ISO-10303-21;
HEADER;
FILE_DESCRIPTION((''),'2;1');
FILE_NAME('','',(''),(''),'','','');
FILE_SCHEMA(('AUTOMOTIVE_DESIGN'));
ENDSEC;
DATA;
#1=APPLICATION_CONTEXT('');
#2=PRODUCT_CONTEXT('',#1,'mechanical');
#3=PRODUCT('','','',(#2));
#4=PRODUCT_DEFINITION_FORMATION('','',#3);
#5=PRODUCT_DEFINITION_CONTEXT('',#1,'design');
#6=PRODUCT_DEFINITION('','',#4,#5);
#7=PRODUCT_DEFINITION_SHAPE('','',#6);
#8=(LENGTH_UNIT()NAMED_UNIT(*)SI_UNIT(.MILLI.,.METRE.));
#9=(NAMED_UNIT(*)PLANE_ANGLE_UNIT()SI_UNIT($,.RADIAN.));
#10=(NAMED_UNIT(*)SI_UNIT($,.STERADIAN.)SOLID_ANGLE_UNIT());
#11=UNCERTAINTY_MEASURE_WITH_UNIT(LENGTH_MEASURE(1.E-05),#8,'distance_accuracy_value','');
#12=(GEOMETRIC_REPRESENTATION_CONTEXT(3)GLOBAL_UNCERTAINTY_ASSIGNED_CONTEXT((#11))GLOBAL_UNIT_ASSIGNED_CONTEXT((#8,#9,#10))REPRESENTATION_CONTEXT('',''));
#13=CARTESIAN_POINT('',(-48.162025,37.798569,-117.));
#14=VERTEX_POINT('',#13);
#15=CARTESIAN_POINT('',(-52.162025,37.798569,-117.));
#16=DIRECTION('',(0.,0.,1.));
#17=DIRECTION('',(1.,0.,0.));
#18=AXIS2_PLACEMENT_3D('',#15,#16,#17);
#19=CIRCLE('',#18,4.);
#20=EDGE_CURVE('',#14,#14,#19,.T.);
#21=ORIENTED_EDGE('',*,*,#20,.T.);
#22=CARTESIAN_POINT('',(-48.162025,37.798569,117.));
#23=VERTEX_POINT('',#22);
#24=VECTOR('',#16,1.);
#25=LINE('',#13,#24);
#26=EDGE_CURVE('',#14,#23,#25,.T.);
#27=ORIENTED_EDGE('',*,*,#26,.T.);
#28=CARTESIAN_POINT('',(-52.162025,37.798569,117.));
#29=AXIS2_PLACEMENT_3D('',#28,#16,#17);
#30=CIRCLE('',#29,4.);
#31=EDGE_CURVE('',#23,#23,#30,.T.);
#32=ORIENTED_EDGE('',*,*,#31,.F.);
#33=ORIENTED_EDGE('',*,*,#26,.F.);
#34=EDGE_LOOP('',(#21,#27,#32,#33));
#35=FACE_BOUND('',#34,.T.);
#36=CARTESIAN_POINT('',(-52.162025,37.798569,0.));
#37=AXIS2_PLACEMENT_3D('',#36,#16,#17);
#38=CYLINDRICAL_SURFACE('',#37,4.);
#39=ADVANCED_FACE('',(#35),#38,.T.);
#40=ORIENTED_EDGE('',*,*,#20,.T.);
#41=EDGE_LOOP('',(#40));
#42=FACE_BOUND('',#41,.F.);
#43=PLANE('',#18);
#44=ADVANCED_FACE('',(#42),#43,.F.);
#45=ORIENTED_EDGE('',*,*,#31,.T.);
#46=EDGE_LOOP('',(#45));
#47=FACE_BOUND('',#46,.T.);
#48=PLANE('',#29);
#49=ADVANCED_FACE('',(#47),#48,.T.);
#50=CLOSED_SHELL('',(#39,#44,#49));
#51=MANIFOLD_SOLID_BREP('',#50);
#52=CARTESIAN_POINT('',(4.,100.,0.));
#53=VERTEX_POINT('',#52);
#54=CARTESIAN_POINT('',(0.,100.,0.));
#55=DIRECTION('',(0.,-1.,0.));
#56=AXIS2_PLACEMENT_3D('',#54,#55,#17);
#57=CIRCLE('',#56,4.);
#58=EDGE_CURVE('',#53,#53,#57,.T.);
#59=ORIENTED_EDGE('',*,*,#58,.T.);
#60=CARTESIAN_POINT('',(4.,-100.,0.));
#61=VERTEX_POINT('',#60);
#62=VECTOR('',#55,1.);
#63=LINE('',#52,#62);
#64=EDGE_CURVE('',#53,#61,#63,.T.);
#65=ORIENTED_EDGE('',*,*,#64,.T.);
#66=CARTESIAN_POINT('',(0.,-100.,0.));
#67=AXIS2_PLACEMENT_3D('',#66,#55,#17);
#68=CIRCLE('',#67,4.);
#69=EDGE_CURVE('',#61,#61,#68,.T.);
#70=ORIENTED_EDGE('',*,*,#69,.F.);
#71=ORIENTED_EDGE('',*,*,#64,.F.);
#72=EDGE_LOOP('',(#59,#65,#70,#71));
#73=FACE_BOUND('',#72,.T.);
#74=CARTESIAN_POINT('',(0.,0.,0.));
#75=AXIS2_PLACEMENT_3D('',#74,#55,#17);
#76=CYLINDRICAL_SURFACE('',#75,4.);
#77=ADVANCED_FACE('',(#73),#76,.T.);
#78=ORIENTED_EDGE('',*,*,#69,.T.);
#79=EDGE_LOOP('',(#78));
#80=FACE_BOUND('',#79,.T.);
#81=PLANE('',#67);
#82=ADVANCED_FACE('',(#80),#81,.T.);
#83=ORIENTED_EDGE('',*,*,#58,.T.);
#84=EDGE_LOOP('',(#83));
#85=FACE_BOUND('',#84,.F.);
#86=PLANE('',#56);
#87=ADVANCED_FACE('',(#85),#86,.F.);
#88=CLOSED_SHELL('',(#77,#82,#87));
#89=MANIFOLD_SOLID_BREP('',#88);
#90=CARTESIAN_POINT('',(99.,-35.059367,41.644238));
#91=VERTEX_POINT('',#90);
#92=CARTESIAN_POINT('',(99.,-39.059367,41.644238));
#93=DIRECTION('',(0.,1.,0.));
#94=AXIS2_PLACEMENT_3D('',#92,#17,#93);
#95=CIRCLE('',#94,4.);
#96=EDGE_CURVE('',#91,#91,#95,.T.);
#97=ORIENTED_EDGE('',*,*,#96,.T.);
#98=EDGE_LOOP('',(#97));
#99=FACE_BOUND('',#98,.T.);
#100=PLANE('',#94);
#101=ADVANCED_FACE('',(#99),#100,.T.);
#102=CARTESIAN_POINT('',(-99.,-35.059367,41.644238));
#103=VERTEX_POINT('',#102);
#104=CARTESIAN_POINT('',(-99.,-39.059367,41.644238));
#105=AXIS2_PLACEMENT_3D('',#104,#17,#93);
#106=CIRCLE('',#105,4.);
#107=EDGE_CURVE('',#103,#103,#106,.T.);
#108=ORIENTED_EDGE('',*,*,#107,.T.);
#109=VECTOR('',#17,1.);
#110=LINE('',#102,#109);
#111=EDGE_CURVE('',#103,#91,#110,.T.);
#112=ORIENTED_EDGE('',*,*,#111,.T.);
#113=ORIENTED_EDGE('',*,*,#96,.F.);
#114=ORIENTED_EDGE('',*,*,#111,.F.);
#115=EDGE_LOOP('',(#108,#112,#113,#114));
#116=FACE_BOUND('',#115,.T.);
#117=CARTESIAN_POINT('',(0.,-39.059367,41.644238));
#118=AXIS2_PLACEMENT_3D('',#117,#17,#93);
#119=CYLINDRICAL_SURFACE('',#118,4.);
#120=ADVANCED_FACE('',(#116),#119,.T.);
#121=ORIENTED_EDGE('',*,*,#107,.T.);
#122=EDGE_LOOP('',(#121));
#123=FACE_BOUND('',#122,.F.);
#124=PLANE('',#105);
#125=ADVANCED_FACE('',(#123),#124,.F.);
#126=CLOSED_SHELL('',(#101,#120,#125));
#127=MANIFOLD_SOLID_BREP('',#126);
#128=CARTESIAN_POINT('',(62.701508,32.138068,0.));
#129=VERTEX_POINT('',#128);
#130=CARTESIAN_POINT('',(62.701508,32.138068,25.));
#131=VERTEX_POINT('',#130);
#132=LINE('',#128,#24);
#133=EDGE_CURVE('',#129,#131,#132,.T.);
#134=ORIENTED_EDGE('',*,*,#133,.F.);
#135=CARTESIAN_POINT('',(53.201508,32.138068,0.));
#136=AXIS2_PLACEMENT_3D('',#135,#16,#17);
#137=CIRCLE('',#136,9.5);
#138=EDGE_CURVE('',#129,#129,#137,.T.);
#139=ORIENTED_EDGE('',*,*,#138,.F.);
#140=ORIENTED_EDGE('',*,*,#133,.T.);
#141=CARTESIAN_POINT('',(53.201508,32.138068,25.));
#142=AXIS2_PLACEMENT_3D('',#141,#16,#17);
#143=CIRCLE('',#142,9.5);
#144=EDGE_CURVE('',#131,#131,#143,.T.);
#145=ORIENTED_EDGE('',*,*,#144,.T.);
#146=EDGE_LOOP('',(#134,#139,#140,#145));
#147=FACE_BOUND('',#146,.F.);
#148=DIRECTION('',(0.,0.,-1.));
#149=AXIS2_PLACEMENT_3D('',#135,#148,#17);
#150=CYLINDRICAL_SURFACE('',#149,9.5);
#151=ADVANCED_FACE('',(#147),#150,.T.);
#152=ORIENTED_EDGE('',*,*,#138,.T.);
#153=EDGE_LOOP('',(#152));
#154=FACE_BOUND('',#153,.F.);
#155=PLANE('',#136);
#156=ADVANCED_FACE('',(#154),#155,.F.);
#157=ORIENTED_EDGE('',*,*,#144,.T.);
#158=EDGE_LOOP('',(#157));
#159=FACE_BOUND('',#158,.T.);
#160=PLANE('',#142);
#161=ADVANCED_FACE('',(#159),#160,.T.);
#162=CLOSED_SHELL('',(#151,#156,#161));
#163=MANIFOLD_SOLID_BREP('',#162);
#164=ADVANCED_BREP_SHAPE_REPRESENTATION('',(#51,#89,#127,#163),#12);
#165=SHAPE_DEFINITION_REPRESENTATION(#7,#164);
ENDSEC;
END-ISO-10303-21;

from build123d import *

# Parameters (mm, degrees)
F0_R     = 4
F1_DEPTH = 100
F2_R     = 4
F3_DEPTH = 117
F4_R     = 4
F5_DEPTH = 99
F6_R     = 9.5
F7_DEPTH = 25


with BuildPart() as f1:
    # F0 (on Front) → F1 (new body, symmetric)
    with BuildSketch(Plane.XZ):
        Circle(F0_R)
    extrude(amount=F1_DEPTH, both=True)


with BuildPart() as f3:
    # F2 (on Top) → F3 (new body, symmetric)
    with BuildSketch(Plane.XY):
        with Locations((-52.1620251238, 37.7985686064)):
            Circle(F2_R)
    extrude(amount=F3_DEPTH, both=True)


with BuildPart() as f5:
    # F4 (on Right) → F5 (new body, symmetric)
    with BuildSketch(Plane.YZ):
        with Locations((-39.0593670309, 41.6442379355)):
            Circle(F4_R)
    extrude(amount=F5_DEPTH, both=True)


with BuildPart() as f7:
    # F6 (on Top) → F7 (new body)
    with BuildSketch(Plane.XY):
        with Locations((53.201507777, 32.138068229)):
            Circle(F6_R)
    extrude(amount=F7_DEPTH)


solid = Compound([f1.part, f3.part, f5.part, f7.part])
